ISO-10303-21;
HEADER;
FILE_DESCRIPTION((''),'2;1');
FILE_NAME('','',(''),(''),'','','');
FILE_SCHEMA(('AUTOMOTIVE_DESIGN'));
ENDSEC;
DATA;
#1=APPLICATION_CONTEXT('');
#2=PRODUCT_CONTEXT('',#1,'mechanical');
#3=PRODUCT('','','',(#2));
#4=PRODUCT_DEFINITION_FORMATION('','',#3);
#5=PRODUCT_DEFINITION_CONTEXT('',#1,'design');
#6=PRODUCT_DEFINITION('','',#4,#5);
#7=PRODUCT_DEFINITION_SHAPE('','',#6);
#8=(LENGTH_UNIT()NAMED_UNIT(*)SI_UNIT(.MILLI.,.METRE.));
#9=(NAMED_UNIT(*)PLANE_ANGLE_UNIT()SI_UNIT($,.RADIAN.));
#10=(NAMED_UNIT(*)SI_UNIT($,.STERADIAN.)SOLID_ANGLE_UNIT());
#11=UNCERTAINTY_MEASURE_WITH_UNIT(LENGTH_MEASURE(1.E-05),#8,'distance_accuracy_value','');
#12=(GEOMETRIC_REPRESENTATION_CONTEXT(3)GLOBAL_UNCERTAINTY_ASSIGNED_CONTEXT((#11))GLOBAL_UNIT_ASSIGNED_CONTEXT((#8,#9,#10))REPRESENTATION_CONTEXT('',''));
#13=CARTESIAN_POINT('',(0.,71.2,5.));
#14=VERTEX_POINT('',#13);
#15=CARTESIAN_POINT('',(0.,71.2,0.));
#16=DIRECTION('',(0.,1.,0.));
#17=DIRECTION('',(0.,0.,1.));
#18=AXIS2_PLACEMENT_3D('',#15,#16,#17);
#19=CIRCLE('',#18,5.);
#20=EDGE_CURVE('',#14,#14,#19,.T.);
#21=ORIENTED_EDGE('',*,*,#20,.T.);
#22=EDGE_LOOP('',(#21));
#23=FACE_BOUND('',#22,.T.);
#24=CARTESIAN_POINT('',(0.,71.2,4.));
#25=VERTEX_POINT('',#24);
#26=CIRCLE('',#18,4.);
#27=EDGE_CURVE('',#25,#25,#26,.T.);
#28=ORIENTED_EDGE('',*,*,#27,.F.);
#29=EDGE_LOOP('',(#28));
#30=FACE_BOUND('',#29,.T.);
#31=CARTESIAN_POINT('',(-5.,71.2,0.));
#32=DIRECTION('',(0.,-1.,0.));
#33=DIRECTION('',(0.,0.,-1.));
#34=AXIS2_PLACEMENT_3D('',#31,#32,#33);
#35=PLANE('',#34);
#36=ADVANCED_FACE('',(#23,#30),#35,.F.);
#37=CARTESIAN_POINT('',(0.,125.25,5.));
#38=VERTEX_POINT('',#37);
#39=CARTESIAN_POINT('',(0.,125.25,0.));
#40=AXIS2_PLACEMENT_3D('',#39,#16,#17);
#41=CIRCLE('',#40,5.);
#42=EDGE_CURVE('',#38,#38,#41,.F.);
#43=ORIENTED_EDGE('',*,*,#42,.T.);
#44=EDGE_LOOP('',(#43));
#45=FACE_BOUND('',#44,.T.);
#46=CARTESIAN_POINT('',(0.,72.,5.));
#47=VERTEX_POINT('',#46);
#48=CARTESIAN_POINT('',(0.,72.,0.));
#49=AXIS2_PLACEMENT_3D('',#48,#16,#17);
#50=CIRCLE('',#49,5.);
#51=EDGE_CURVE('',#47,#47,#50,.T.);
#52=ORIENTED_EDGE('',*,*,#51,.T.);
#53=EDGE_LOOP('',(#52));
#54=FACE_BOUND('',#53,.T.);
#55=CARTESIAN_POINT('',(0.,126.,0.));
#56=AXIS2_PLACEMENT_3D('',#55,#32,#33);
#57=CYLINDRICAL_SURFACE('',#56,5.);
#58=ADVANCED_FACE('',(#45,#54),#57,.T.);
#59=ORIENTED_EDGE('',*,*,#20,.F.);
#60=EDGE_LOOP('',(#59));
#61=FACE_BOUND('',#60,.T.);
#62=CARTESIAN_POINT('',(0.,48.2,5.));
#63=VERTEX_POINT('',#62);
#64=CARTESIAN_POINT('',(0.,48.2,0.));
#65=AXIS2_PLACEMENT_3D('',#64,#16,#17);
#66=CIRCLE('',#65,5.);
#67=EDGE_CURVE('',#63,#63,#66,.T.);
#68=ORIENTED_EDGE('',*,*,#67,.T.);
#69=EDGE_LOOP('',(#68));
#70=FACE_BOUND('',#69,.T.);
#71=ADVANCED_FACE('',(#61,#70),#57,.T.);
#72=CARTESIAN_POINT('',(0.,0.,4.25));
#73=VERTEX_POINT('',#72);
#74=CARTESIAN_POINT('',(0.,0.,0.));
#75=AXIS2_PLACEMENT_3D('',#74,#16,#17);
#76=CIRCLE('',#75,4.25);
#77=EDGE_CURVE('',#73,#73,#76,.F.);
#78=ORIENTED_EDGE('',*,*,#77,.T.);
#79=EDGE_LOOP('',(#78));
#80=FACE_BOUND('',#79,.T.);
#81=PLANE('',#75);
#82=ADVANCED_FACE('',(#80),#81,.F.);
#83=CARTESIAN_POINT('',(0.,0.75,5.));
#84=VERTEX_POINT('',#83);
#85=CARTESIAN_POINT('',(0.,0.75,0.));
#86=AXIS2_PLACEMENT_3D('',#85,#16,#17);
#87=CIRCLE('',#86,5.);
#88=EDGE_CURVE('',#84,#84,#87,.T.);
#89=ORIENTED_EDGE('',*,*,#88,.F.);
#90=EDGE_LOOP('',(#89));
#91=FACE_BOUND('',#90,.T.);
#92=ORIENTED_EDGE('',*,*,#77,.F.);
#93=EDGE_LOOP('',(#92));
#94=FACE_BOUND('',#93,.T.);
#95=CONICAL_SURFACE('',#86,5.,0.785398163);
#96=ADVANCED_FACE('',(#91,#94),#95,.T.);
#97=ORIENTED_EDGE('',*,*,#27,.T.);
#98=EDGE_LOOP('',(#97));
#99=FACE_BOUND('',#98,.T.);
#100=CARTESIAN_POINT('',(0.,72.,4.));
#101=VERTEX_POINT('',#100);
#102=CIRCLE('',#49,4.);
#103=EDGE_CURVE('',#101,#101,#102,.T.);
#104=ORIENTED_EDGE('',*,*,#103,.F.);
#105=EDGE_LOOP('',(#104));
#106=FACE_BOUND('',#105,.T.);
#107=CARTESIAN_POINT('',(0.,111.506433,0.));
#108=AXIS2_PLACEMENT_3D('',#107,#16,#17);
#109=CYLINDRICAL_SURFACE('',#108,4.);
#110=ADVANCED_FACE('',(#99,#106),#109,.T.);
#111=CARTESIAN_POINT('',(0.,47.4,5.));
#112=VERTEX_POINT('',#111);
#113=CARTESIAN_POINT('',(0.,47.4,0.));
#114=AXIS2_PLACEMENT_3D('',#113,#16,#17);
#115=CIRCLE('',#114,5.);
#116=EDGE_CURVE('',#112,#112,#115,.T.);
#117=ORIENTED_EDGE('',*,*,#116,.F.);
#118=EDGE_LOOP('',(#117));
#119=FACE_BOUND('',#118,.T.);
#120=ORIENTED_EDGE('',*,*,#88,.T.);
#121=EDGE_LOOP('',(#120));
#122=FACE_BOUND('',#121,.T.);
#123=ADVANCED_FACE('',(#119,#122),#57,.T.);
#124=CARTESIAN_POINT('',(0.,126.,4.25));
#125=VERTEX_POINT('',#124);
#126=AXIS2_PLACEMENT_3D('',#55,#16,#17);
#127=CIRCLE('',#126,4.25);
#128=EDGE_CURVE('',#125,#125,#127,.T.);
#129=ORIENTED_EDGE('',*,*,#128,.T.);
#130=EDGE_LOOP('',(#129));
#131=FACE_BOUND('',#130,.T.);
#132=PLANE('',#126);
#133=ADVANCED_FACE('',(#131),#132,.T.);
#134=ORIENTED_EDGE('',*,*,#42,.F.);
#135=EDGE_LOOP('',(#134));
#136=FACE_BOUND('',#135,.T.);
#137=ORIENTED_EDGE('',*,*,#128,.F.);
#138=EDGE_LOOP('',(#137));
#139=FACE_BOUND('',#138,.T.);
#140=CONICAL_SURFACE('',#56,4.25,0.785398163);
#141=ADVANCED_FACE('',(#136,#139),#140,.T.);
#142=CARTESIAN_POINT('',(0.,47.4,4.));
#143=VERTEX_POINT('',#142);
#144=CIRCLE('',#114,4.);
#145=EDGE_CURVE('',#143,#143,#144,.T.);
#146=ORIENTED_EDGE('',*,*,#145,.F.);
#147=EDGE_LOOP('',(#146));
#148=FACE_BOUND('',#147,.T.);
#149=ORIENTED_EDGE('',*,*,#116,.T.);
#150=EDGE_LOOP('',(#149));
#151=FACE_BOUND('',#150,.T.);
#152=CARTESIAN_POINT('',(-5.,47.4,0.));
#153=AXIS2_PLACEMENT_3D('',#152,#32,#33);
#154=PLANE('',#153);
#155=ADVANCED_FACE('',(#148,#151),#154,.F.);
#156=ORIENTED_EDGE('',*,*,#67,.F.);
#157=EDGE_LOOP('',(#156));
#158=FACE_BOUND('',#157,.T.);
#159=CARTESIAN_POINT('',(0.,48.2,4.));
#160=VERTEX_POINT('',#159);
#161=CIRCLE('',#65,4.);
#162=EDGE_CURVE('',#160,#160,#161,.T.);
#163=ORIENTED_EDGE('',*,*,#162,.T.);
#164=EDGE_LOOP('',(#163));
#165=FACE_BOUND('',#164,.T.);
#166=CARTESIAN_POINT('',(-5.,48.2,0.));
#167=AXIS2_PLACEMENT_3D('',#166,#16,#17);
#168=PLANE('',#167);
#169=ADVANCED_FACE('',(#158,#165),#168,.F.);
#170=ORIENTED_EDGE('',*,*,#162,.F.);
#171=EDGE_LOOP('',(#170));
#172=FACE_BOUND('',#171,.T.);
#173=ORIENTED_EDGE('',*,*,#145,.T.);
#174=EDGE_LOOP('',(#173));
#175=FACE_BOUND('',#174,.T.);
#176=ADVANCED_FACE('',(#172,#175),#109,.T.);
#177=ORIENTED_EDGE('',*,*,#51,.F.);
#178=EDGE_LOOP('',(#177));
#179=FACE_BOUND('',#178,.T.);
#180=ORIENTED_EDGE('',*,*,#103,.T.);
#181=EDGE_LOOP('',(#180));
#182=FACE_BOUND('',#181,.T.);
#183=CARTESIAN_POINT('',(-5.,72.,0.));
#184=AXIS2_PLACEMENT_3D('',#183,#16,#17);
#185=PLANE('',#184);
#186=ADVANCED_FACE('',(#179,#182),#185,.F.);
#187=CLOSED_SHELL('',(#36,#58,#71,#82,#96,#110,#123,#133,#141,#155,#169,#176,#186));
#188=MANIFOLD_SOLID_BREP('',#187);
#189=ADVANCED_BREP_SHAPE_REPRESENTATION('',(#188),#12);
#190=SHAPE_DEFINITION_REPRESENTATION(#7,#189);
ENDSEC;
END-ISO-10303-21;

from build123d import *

# Parameters (mm, degrees)
SKETCH1_R           = 5
BOSS_EXTRUDE1_DEPTH = 126
CHAMFER1_SIZE       = 0.75
SKETCH2_W           = 1
SKETCH2_H           = 0.8


with BuildPart() as part:
    # Sketch1 → Boss-Extrude1 (new body)
    with BuildSketch(Plane(origin=(0, 0, 0), x_dir=(1, 0, 0), z_dir=(0, 1, 0))):
        with Locations(Location((0, 0, 0), (0, 0, 270))):
            Circle(SKETCH1_R)
    extrude(amount=BOSS_EXTRUDE1_DEPTH)

    # Chamfer1
    chamfer1_edges = [part.edges().sort_by_distance(p)[0] for p in [
        (0, 0, -5),
        (0, 126, -5),
    ]]
    chamfer(chamfer1_edges, length=CHAMFER1_SIZE)

    # Sketch2 → Cut-Revolve1 (revolve, cut)
    with BuildSketch(Plane.XY, mode=Mode.PRIVATE) as cut_revolve1_sk:
        with Locations((-4.5, 47.8)):
            Rectangle(SKETCH2_W, SKETCH2_H)
        with Locations((-4.5, 71.6)):
            Rectangle(SKETCH2_W, SKETCH2_H)
    revolve(cut_revolve1_sk.sketch.rotate(Axis((0, 111.50643277, 0), (0, -1, 0)), 270), axis=Axis((0, 111.50643277, 0), (0, -1, 0)), mode=Mode.SUBTRACT)


solid = part.part
